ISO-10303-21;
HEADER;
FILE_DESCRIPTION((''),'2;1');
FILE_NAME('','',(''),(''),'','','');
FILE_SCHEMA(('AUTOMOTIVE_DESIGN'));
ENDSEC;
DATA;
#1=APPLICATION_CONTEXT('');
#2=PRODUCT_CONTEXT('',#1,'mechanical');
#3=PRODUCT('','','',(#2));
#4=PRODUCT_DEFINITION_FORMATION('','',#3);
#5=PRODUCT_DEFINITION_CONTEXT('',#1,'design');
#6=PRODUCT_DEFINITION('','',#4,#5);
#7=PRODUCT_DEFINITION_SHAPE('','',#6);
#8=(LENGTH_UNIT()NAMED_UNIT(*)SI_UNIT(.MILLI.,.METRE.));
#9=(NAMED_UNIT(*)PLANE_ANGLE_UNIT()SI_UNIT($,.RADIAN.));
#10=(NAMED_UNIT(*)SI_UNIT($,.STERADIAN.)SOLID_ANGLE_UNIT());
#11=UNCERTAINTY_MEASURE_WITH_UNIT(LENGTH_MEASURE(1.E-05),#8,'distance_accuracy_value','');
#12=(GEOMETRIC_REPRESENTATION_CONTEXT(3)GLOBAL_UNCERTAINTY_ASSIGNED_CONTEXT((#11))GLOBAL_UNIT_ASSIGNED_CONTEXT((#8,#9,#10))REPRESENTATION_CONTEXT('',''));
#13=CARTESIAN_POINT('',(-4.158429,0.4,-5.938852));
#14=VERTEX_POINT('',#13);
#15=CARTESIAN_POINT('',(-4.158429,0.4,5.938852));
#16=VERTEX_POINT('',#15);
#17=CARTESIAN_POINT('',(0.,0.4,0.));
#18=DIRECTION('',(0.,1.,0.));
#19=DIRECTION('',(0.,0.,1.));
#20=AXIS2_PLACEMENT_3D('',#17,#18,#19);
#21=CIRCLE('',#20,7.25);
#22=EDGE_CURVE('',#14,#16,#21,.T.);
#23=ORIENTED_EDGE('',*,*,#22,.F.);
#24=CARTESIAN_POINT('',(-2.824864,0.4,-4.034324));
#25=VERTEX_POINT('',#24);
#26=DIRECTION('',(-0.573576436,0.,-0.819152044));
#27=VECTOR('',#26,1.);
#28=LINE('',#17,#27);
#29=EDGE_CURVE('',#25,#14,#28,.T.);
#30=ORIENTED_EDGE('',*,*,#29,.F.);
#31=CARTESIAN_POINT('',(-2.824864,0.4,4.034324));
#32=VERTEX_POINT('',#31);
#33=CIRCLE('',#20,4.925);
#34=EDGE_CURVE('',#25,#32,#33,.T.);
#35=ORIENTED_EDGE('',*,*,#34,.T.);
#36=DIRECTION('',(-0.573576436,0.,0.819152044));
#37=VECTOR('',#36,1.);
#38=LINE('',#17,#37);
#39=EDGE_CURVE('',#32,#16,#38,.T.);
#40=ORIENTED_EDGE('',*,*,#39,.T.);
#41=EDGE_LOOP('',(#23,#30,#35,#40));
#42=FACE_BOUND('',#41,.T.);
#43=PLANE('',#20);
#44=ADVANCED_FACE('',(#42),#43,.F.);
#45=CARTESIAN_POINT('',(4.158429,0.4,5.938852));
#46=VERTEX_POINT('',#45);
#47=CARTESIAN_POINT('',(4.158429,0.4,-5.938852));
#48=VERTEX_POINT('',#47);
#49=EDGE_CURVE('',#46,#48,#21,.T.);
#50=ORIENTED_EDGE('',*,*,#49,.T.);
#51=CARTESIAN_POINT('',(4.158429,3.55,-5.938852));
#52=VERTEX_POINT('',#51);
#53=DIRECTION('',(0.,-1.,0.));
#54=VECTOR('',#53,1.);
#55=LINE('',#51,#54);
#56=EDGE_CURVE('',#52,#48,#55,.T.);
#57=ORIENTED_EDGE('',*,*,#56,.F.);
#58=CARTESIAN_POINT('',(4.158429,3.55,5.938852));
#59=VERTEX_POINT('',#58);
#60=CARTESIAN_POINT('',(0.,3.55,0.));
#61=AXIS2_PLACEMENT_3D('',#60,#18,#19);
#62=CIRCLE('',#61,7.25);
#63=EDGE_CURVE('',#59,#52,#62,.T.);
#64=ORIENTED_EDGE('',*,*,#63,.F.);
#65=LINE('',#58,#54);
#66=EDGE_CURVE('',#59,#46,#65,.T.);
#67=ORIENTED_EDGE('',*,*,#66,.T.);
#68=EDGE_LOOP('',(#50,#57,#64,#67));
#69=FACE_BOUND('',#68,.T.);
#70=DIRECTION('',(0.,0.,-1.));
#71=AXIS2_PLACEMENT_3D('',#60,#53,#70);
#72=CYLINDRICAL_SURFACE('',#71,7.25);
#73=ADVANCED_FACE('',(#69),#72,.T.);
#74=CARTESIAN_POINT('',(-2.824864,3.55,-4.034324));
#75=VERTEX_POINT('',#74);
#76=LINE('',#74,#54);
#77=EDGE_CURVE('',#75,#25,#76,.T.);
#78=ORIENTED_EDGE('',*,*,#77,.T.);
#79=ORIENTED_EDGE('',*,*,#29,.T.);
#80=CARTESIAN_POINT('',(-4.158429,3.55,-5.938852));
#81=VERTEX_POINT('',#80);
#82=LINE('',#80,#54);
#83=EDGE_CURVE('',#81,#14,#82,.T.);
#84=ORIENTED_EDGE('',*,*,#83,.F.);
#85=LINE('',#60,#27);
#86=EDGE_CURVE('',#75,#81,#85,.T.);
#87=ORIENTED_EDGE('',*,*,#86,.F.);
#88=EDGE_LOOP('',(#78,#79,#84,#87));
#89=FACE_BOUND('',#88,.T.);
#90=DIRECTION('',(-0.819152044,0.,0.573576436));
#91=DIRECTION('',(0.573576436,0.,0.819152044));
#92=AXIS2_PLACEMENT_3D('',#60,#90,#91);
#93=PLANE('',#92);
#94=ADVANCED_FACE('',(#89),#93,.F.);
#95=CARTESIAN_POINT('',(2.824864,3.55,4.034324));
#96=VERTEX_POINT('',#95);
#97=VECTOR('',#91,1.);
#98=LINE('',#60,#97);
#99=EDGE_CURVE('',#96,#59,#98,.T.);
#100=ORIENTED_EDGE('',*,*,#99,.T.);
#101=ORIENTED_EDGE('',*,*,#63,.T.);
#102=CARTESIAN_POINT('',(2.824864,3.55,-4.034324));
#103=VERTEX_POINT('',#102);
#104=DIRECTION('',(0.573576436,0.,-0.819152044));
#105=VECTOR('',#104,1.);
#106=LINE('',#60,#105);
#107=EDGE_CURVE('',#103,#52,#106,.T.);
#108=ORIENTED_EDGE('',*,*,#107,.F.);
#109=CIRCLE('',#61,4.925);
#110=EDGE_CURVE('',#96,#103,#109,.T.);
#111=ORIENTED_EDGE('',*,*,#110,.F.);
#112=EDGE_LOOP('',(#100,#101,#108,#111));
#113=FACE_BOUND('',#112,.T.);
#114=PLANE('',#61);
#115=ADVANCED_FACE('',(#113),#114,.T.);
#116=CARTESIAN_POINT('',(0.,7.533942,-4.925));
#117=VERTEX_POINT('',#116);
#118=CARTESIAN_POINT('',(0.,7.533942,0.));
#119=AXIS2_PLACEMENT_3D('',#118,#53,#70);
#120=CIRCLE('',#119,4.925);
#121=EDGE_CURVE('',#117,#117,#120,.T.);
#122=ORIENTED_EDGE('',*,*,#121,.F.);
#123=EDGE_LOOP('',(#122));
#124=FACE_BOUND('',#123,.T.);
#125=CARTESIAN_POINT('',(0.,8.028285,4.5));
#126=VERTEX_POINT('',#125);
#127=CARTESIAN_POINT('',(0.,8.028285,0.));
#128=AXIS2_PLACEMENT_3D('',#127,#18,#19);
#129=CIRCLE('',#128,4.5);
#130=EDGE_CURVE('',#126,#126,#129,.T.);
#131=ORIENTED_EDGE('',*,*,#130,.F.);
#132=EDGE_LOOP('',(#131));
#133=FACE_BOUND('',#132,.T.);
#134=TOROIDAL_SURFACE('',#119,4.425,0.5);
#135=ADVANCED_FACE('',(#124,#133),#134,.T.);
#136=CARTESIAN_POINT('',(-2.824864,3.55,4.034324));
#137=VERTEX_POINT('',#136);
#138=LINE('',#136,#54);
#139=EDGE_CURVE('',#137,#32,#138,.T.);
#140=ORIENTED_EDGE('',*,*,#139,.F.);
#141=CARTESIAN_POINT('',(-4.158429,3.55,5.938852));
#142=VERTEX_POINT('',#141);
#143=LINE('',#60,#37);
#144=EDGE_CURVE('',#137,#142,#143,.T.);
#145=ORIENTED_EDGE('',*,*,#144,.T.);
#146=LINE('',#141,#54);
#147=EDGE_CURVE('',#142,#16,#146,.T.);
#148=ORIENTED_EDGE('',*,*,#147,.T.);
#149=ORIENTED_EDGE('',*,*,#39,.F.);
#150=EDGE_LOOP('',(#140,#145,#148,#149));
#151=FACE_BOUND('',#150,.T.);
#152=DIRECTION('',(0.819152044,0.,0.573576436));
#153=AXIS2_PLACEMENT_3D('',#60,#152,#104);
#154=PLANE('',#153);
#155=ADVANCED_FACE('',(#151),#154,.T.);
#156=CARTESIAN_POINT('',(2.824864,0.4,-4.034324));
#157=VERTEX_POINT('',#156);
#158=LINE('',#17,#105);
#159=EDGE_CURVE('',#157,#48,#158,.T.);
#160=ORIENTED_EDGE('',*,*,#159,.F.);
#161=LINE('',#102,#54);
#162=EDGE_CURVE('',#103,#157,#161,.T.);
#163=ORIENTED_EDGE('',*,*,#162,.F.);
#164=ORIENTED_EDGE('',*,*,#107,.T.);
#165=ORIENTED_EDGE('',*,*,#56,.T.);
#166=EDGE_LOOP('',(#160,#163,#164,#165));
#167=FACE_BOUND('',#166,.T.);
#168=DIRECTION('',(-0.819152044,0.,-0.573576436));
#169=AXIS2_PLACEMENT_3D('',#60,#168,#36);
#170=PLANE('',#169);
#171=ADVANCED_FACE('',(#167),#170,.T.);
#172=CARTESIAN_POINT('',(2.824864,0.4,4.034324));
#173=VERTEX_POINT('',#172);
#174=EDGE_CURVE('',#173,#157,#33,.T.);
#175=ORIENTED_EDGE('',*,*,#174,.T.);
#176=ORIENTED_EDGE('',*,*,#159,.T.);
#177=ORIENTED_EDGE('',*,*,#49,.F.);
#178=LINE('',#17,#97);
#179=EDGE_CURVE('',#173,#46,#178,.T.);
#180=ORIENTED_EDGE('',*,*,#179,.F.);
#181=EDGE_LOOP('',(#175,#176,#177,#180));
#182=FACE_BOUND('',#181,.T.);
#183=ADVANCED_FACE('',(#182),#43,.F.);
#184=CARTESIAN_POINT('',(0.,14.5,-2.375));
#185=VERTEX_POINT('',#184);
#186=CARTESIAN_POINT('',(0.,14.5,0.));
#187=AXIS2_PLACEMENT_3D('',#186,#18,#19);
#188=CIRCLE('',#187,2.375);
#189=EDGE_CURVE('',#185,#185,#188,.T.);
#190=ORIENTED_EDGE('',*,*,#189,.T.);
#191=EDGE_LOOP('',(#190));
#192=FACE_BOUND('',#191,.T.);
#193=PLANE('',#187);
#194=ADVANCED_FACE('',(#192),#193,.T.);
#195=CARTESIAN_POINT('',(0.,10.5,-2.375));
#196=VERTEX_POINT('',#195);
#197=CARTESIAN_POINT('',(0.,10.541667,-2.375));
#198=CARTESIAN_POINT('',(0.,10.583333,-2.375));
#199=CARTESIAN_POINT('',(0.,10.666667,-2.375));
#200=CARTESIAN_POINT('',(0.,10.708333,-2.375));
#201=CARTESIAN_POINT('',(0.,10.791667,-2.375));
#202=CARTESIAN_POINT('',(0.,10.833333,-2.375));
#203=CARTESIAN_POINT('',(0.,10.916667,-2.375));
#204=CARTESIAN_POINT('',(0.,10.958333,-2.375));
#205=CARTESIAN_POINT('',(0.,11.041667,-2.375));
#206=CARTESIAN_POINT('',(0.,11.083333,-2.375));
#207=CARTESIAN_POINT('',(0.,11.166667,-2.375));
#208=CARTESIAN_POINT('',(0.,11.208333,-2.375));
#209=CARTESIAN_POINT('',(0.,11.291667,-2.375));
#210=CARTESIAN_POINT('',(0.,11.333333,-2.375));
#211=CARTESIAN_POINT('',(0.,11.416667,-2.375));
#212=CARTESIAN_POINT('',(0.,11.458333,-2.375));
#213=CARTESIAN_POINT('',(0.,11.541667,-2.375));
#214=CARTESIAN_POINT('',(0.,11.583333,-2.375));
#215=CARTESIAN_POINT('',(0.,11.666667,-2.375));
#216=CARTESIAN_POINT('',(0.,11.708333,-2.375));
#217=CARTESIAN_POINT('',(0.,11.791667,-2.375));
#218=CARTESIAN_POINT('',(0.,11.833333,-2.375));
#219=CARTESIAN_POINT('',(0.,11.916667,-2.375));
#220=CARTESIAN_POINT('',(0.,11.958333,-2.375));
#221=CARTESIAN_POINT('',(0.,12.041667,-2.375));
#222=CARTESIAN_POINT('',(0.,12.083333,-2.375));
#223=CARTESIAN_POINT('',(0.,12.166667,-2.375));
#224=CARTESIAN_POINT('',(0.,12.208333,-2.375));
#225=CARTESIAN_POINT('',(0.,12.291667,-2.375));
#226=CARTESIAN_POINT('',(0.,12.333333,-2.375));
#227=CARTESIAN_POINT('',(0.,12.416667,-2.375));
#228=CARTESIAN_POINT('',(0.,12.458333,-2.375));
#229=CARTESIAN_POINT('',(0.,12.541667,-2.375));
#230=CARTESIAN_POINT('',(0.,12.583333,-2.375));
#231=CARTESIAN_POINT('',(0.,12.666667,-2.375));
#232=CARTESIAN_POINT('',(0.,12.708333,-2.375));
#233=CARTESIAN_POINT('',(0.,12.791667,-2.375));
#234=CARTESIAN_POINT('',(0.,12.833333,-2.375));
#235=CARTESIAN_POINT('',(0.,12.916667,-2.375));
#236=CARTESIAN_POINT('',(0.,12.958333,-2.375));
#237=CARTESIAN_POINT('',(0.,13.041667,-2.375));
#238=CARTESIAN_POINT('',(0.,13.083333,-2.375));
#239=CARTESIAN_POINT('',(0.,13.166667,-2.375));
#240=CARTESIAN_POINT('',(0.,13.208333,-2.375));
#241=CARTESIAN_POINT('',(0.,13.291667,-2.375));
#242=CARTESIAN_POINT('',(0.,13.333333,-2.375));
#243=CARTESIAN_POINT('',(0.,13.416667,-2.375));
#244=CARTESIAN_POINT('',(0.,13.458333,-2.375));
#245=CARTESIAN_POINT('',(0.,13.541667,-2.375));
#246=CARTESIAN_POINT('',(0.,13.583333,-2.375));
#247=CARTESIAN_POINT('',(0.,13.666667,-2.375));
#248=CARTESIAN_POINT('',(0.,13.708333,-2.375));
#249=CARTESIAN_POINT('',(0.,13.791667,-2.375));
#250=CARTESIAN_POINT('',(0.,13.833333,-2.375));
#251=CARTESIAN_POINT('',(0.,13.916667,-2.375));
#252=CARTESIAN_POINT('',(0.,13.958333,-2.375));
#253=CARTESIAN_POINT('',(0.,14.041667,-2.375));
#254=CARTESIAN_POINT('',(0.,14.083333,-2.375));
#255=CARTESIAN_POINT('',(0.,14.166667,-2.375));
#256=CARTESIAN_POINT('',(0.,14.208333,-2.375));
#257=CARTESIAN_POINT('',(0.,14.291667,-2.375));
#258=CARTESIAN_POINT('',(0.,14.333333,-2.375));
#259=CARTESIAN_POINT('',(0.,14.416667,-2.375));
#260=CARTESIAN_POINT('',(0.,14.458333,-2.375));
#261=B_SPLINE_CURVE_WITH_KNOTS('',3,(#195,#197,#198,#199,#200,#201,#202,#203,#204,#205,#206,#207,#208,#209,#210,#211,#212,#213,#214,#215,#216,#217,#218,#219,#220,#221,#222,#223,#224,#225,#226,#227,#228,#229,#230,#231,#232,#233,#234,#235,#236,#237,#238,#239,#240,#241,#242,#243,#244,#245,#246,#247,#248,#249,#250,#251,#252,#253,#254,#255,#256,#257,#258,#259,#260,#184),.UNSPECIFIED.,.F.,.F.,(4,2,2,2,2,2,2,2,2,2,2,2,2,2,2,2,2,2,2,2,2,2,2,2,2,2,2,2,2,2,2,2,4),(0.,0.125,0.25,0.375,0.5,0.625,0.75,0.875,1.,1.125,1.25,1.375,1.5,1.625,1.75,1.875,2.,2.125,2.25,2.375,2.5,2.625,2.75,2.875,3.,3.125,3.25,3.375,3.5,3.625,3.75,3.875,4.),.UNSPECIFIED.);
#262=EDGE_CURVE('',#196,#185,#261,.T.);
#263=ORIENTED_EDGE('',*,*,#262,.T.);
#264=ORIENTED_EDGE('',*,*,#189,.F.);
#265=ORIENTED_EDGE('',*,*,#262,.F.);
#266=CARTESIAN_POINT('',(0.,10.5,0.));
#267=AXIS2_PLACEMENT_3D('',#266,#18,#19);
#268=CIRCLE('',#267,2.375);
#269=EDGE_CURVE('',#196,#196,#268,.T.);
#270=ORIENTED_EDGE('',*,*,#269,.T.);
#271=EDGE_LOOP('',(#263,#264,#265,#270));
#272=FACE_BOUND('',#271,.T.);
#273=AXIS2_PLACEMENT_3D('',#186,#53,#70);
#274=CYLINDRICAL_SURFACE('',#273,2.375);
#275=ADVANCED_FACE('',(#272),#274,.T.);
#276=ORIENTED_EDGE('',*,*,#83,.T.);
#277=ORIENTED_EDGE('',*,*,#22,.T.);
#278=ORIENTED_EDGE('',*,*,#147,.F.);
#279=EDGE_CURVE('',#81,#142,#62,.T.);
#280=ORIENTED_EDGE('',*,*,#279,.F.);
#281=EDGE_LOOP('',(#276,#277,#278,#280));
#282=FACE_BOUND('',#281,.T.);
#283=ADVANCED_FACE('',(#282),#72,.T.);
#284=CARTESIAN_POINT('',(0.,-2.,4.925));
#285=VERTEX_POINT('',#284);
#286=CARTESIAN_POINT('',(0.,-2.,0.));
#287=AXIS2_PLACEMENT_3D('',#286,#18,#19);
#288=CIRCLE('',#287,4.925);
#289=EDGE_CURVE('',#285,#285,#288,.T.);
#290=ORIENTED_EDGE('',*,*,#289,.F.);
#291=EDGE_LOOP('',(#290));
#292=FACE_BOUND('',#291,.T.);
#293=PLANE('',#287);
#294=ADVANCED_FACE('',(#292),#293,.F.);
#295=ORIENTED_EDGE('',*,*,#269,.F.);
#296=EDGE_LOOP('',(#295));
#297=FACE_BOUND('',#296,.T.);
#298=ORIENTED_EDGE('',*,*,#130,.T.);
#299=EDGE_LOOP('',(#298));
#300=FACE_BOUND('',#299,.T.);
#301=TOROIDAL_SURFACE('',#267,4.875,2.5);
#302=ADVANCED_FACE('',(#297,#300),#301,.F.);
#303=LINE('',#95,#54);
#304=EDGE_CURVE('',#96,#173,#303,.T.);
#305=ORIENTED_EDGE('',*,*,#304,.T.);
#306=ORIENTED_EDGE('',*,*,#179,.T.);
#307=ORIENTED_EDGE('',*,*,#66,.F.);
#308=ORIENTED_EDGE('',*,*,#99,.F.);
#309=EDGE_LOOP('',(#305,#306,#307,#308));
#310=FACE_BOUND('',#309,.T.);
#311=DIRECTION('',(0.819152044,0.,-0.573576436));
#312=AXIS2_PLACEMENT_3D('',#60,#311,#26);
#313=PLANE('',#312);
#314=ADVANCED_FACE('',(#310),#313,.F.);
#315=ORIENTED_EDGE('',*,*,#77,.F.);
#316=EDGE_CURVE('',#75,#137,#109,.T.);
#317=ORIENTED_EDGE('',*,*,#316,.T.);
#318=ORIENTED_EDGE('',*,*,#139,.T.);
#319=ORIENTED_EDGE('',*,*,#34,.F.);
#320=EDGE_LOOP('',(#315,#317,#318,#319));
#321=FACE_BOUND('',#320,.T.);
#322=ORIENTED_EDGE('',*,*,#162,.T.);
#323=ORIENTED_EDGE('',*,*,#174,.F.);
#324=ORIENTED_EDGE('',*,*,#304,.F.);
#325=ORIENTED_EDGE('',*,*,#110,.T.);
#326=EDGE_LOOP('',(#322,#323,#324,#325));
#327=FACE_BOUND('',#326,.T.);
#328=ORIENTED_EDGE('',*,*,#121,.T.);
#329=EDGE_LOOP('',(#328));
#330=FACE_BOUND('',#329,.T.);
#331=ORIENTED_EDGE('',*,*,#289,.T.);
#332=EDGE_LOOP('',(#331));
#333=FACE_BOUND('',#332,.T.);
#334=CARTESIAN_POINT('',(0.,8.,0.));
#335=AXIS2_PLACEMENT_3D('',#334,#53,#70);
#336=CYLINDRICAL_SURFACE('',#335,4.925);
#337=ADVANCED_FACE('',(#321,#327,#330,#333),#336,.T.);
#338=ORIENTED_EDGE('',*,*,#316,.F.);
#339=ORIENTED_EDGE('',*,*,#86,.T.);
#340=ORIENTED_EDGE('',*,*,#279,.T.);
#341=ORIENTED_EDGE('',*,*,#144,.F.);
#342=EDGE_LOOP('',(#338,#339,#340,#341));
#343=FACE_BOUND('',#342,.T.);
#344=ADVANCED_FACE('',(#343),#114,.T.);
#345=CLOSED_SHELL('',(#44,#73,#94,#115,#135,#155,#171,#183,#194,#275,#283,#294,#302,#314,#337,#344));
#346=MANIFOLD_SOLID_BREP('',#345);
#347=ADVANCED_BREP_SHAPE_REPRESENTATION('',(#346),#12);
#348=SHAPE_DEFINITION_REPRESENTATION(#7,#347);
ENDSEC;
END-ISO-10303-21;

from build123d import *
from build123d.topology import SkipClean

# Parameters (mm, degrees)
SALIENTE_EXTRUIR1_START   = 0.4
SALIENTE_EXTRUIR1_DEPTH   = 3.15
SALIENTE_EXTRUIR1_2_DEPTH = 3.15
SALIENTE_EXTRUIR2_DEPTH   = 8
SALIENTE_EXTRUIR3_START   = -2
SALIENTE_EXTRUIR3_DEPTH   = 2
CROQUIS2_R                = 2.375
SALIENTE_EXTRUIR4_DEPTH   = 6.5
REDONDEO2_R               = 2.5
REDONDEO3_R               = 0.5


with BuildPart() as part:
    # Croquis1 → Saliente-Extruir1 (new body)
    with BuildSketch(Plane(origin=(0, 0, 0), x_dir=(1, 0, 0), z_dir=(0, 1, 0)).offset(SALIENTE_EXTRUIR1_START)):
        with BuildLine():
            Line((4.158429164, 5.938852321), (2.824863949, 4.034323818))
            ThreePointArc((2.824863949, 4.034323818), (4.925, 0), (2.824863949, -4.034323818))
            Line((2.824863949, -4.034323818), (4.158429164, -5.938852321))
            ThreePointArc((4.158429164, -5.938852321), (7.25, 0), (4.158429164, 5.938852321))
        make_face()
    extrude(amount=SALIENTE_EXTRUIR1_DEPTH)



with BuildPart() as body_2:
    # Croquis1 → Saliente-Extruir1 2 (new body)
    with BuildSketch(Plane(origin=(0, 0, 0), x_dir=(1, 0, 0), z_dir=(0, 1, 0)).offset(SALIENTE_EXTRUIR1_START)):
        with BuildLine():
            ThreePointArc((-2.824863949, -4.034323818), (-4.925, 0), (-2.824863949, 4.034323818))
            Line((-2.824863949, 4.034323818), (-4.158429164, 5.938852321))
            ThreePointArc((-4.158429164, 5.938852321), (-7.25, 0), (-4.158429164, -5.938852321))
            Line((-4.158429164, -5.938852321), (-2.824863949, -4.034323818))
        make_face()
    extrude(amount=SALIENTE_EXTRUIR1_2_DEPTH)


with BuildPart() as part_1:
    add(part.part)

    add(body_2.part)  # Saliente-Extruir2 merges body 2
    # Croquis1<3> → Saliente-Extruir2 (add)
    with BuildSketch(Plane(origin=(0, 0, 0), x_dir=(1, 0, 0), z_dir=(0, 1, 0))):
        with BuildLine():
            ThreePointArc((4.925, 0), (4.368528353, 2.27411192), (2.824863949, 4.034323818))
            ThreePointArc((2.824863949, 4.034323818), (0, 4.925), (-2.824863949, 4.034323818))
            ThreePointArc((-2.824863949, 4.034323818), (-4.925, 0), (-2.824863949, -4.034323818))
            ThreePointArc((-2.824863949, -4.034323818), (0, -4.925), (2.824863949, -4.034323818))
            ThreePointArc((2.824863949, -4.034323818), (4.368528353, -2.27411192), (4.925, 0))
        make_face()
    extrude(amount=SALIENTE_EXTRUIR2_DEPTH)

    # Croquis1<4> → Saliente-Extruir3 (add)
    with SkipClean():  # the faces are left unmerged after this step: merging them gives an invalid solid
        with BuildSketch(Plane(origin=(0, 0, 0), x_dir=(1, 0, 0), z_dir=(0, 1, 0)).offset(SALIENTE_EXTRUIR3_START)):
            with BuildLine():
                ThreePointArc((4.925, 0), (4.368528353, 2.27411192), (2.824863949, 4.034323818))
                ThreePointArc((2.824863949, 4.034323818), (0, 4.925), (-2.824863949, 4.034323818))
                ThreePointArc((-2.824863949, 4.034323818), (-4.925, 0), (-2.824863949, -4.034323818))
                ThreePointArc((-2.824863949, -4.034323818), (0, -4.925), (2.824863949, -4.034323818))
                ThreePointArc((2.824863949, -4.034323818), (4.368528353, -2.27411192), (4.925, 0))
            make_face()
        extrude(amount=SALIENTE_EXTRUIR3_DEPTH)

    # Croquis2 → Saliente-Extruir4 (add)
    with SkipClean():  # the faces are left unmerged after this step: merging them gives an invalid solid
        with BuildSketch(Plane(origin=(0, 8, 0), x_dir=(1, 0, 0), z_dir=(0, 1, 0))):
            Circle(CROQUIS2_R)
        extrude(amount=SALIENTE_EXTRUIR4_DEPTH)

    # Redondeo2
    redondeo2_edges = [part_1.edges().sort_by_distance(p)[0] for p in [
        (-2.375, 8, 0),
    ]]
    fillet(redondeo2_edges, radius=REDONDEO2_R)

    # Redondeo3
    redondeo3_edges = [part_1.edges().sort_by_distance(p)[0] for p in [
        (-2.824863949, 8, 4.034323818),
    ]]
    fillet(redondeo3_edges, radius=REDONDEO3_R)


solid = part_1.part
